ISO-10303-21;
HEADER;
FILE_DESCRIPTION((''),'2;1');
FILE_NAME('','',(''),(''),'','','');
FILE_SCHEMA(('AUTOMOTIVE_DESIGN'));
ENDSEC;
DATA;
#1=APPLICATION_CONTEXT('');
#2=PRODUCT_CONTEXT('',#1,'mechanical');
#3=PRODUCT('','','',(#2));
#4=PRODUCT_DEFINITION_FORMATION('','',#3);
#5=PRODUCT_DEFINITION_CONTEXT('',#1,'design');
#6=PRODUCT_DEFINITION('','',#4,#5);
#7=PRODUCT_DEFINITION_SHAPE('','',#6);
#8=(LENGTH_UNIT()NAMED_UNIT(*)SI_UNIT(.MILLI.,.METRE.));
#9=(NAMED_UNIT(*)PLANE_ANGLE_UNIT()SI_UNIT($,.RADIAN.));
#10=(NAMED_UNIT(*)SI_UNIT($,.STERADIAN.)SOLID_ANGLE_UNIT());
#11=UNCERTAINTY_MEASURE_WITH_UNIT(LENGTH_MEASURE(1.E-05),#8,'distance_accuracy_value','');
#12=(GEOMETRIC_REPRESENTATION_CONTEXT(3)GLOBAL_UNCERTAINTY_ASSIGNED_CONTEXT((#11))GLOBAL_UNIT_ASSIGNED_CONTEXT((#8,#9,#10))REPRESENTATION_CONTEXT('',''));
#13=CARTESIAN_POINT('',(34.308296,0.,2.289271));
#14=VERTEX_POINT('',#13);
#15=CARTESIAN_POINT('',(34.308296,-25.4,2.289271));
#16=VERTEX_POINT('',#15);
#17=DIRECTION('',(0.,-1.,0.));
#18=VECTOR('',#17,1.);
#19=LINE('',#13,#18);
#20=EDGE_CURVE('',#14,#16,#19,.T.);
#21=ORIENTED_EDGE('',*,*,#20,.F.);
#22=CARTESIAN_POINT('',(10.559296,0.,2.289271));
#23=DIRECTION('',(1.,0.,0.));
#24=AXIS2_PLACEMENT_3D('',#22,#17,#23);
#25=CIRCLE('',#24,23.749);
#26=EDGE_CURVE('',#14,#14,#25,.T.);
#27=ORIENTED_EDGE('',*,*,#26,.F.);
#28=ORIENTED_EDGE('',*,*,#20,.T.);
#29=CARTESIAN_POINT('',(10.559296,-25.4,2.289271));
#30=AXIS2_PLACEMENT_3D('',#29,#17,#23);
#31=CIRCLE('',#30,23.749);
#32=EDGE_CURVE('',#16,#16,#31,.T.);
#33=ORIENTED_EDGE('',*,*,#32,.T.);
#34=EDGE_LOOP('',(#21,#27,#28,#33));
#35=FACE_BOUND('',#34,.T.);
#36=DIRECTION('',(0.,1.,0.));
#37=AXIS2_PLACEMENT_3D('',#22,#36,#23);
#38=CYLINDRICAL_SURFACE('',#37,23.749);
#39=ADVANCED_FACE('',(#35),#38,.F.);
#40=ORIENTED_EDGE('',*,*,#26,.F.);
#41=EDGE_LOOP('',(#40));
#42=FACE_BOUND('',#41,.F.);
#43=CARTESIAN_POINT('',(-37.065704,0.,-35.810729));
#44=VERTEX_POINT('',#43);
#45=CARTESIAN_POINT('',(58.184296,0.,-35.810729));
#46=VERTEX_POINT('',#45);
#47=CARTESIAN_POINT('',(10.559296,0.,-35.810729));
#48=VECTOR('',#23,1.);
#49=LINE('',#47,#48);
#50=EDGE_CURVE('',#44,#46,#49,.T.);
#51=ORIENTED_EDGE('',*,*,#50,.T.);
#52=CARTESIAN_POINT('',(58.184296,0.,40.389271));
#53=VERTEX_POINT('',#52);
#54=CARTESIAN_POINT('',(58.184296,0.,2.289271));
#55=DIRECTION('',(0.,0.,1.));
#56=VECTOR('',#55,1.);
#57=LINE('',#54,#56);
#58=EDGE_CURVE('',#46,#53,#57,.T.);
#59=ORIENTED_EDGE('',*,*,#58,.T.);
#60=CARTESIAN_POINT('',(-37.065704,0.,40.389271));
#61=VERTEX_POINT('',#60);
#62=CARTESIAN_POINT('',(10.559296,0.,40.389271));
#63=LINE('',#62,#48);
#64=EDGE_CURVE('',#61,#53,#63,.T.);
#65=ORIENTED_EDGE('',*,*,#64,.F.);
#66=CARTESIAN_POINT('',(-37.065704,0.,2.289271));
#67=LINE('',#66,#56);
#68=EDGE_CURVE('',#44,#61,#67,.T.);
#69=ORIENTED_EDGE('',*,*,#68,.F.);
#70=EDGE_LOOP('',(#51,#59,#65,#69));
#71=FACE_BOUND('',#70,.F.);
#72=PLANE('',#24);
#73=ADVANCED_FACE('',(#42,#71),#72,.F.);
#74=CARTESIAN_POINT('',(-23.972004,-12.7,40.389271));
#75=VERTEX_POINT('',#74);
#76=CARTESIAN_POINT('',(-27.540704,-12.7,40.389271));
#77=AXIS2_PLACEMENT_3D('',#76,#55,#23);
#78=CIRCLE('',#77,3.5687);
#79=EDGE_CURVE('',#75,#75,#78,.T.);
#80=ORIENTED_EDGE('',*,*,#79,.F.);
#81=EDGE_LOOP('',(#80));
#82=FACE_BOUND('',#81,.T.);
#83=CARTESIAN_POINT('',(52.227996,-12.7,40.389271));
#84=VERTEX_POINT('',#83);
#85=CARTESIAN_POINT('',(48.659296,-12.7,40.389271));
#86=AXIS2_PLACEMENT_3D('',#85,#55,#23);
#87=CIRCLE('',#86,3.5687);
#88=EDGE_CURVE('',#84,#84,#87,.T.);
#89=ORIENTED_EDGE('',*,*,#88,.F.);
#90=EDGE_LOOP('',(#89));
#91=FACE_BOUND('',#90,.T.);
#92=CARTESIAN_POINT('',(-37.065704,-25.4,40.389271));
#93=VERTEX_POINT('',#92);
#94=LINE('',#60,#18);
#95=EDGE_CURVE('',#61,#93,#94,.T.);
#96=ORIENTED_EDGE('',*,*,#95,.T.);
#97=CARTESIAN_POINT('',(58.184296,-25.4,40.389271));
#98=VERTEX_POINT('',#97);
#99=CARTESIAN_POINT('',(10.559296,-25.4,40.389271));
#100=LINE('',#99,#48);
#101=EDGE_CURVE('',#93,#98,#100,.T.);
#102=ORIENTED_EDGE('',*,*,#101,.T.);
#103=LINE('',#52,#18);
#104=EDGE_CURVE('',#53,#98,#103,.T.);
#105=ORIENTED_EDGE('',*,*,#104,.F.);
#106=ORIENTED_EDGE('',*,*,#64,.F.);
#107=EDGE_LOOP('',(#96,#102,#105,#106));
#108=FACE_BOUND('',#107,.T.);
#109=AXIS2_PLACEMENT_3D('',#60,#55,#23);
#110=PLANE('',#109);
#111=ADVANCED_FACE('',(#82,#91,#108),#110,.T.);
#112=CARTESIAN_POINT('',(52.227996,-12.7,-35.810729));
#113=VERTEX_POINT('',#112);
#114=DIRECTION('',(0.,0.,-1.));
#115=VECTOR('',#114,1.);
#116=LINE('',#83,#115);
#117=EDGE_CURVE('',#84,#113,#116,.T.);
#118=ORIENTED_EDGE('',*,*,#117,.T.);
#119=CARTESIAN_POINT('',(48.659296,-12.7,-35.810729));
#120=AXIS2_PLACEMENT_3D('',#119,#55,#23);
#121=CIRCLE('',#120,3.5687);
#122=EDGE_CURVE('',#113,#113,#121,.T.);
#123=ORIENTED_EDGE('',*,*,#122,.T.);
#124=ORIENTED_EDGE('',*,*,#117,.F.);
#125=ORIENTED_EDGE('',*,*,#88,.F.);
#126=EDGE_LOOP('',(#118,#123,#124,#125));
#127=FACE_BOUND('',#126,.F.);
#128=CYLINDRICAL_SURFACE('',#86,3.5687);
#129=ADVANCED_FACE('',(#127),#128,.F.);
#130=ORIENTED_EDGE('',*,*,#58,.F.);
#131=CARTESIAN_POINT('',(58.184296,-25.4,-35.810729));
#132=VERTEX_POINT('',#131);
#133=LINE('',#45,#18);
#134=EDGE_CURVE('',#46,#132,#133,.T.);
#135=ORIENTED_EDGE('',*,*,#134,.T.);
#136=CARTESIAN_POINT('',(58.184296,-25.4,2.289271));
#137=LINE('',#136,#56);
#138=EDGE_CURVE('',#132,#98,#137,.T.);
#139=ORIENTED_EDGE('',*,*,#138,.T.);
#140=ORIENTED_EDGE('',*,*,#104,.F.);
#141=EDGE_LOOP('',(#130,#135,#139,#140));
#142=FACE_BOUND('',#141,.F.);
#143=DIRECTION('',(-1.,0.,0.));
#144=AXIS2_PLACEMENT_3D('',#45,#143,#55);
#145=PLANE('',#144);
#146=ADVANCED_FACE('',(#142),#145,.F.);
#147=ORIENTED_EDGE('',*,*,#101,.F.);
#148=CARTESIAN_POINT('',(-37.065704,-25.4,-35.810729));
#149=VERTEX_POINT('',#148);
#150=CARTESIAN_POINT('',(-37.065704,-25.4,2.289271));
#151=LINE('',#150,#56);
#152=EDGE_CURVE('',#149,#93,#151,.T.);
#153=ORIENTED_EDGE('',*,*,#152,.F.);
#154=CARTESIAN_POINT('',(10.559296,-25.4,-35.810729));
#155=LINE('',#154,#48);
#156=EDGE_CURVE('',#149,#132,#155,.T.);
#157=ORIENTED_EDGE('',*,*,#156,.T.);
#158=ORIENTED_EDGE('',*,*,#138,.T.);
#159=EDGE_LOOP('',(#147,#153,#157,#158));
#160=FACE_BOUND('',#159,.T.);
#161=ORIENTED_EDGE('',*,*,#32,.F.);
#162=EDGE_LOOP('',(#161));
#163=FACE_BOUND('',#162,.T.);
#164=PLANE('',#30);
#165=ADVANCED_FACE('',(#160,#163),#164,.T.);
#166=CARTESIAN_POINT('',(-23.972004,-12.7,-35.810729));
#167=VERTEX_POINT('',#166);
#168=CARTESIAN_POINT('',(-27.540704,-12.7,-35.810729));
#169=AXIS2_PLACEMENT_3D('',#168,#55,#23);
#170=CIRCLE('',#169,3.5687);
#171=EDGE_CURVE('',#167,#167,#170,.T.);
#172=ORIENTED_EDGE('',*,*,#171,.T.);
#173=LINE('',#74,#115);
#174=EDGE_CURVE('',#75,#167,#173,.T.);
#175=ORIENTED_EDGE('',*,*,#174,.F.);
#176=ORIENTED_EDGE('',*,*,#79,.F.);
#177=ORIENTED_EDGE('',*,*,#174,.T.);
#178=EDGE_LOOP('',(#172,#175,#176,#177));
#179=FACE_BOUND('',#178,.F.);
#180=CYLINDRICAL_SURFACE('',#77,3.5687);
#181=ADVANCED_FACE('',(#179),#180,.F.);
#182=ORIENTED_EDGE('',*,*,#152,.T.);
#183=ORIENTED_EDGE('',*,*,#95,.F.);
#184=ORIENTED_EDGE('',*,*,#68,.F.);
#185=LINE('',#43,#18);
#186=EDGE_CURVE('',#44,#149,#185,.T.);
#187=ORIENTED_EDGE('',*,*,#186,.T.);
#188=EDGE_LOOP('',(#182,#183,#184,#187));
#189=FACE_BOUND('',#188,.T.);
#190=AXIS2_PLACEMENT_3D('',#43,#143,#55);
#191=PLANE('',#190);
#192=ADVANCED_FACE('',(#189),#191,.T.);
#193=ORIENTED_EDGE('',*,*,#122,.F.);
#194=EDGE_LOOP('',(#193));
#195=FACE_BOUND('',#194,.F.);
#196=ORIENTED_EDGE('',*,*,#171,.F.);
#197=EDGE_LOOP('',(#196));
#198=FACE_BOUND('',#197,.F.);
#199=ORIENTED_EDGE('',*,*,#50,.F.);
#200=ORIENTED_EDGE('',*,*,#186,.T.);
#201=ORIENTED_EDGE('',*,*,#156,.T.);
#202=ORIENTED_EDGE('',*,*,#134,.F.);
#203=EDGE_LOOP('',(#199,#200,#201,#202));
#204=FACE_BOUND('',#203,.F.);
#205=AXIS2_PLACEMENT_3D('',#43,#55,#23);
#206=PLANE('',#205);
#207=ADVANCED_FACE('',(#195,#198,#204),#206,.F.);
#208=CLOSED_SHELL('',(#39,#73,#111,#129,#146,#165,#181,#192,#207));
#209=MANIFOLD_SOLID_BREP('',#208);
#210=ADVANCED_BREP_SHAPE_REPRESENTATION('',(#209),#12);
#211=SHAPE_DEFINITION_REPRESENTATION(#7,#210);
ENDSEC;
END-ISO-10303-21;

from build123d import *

# Parameters (mm, degrees)
F0_W     = 95.25
F0_H     = 76.2
F0_R     = 23.749
F1_DEPTH = 25.4
F2_R     = 3.5687
F3_DEPTH = 76.201


with BuildPart() as f1:
    # F0 (on Front) → F1 (new body)
    with BuildSketch(Plane.XZ):
        with Locations((10.559296, 2.289271)):
            Rectangle(F0_W, F0_H)
        with Locations((10.559296, 2.289271)):
            Circle(F0_R, mode=Mode.SUBTRACT)
    extrude(amount=F1_DEPTH)

    # F2 (on face) → F3 (cut, through all)
    with BuildSketch(Plane.XY.offset(40.389271)):
        with Locations((48.659296, -12.7)):
            Circle(F2_R)
        with Locations((-27.540704, -12.7)):
            Circle(F2_R)
    extrude(amount=-F3_DEPTH, mode=Mode.SUBTRACT)


solid = f1.part
